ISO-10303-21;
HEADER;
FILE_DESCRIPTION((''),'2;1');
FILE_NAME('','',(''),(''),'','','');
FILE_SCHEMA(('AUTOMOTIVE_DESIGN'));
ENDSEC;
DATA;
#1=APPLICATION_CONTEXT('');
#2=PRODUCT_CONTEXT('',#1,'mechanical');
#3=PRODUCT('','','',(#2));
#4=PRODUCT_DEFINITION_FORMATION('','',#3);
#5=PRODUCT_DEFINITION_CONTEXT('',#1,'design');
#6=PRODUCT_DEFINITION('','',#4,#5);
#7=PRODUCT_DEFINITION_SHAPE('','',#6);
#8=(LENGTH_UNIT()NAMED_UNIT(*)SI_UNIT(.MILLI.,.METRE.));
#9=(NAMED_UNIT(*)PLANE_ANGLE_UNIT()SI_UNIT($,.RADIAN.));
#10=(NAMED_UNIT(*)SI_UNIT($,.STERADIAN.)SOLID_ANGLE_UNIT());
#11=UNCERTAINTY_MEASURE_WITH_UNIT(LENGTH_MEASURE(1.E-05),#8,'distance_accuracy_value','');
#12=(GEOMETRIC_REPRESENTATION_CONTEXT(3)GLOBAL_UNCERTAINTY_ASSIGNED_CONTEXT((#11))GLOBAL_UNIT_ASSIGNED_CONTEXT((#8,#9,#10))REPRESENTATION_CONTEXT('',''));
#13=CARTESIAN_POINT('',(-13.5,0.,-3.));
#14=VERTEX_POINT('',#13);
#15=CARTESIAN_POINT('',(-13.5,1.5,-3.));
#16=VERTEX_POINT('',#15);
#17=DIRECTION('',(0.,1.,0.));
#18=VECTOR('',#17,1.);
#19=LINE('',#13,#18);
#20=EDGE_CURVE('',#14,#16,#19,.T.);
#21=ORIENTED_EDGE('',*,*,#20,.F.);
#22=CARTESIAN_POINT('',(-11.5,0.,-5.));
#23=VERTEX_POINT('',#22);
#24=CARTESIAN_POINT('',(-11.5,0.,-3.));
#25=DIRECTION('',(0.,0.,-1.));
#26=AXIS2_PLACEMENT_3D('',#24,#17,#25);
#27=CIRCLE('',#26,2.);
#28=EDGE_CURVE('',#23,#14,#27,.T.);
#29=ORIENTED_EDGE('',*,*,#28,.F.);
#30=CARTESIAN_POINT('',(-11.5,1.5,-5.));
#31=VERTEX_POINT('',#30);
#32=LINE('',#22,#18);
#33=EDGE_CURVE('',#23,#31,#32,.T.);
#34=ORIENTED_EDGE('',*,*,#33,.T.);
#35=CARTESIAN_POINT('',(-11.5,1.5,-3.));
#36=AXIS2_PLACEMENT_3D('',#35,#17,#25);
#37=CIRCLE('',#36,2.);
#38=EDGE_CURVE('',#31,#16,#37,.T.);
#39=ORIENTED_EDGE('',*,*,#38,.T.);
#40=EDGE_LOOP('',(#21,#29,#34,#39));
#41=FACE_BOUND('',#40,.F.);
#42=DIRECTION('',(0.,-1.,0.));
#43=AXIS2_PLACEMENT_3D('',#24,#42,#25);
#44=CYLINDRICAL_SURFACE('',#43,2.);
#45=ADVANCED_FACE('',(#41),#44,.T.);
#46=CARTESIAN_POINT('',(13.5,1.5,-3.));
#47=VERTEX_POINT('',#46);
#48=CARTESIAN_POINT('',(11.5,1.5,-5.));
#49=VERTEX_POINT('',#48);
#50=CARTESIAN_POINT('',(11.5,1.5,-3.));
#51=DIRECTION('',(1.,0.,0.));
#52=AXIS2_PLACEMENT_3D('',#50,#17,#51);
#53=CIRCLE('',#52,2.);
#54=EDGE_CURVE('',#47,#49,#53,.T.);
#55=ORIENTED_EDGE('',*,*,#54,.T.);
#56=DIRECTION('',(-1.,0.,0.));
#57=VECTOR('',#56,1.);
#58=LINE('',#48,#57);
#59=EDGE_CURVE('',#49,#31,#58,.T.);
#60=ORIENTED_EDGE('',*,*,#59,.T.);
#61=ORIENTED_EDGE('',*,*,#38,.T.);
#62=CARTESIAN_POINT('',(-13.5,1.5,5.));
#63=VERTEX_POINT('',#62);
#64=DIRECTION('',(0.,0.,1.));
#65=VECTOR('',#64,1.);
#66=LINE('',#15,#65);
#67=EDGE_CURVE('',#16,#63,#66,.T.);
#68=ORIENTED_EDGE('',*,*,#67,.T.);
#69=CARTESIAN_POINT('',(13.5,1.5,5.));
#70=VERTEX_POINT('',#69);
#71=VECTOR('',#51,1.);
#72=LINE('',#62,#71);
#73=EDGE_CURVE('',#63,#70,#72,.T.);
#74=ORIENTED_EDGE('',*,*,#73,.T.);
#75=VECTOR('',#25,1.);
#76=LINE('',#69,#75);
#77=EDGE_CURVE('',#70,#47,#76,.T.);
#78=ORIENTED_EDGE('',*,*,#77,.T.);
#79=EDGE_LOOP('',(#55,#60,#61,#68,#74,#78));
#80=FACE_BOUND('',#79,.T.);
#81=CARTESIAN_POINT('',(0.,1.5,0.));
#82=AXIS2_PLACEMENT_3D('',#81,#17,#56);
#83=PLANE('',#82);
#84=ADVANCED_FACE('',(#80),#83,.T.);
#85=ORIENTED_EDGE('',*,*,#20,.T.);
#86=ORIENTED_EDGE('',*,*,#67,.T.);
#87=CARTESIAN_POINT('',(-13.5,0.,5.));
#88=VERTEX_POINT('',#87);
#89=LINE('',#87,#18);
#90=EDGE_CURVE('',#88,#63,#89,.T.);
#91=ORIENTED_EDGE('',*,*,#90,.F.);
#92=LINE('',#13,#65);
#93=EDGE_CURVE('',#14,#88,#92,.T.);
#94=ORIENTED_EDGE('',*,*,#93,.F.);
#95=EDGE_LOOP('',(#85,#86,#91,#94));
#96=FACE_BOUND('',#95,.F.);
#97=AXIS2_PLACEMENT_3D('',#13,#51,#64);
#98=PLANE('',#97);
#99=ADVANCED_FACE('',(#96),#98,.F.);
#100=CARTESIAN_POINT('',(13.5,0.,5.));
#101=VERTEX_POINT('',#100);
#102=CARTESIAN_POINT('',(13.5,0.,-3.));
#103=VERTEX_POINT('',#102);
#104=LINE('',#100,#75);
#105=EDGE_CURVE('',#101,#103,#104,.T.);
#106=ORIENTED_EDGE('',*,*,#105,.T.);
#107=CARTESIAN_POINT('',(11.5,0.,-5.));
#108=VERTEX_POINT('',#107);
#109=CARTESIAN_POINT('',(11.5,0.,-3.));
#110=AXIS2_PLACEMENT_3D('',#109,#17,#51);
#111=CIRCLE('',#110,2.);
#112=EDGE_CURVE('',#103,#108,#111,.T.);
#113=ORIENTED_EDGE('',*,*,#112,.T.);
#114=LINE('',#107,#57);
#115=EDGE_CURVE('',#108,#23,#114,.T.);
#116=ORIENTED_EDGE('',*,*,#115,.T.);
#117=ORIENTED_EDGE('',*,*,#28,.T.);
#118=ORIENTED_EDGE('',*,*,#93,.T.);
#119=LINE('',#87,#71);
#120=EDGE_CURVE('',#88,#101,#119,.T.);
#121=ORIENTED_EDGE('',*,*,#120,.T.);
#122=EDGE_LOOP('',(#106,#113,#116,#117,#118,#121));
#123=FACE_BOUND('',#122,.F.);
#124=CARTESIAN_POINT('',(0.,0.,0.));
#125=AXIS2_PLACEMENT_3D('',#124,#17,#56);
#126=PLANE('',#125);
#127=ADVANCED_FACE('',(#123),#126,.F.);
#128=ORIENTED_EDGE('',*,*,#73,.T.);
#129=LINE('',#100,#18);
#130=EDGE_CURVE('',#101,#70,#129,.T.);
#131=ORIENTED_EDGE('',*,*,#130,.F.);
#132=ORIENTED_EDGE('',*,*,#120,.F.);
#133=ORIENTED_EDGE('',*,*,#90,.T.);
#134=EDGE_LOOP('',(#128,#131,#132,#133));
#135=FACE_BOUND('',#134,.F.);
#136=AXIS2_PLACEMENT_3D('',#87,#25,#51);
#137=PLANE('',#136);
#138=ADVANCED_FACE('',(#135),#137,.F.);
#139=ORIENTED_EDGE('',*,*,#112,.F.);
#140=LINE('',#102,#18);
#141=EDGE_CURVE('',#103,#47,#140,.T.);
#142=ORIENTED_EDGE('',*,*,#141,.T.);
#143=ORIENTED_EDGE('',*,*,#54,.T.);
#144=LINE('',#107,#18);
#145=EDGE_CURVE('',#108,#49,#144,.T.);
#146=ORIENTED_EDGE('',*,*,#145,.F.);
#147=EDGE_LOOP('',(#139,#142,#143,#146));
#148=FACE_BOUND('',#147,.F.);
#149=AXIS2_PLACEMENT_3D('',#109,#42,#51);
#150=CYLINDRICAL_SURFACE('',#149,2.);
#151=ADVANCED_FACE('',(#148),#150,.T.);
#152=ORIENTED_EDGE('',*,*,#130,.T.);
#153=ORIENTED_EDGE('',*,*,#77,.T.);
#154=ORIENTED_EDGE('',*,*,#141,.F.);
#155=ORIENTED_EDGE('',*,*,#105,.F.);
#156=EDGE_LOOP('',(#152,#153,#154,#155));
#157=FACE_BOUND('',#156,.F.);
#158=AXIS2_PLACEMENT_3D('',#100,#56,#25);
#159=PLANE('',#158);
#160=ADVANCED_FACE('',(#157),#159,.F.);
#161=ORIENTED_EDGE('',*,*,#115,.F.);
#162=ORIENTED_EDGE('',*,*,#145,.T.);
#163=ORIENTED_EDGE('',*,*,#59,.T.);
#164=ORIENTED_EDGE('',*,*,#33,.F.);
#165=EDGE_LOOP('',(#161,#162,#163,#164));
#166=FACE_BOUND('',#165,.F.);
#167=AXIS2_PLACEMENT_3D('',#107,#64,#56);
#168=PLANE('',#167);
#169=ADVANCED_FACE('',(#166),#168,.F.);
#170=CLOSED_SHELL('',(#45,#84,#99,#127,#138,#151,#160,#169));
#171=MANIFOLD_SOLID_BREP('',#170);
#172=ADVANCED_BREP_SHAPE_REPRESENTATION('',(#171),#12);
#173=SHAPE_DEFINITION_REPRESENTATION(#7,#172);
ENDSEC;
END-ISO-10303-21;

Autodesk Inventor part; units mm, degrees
ref_plane "YZ Plane" through (0, 0, 0) normal (1, 0, 0) x (0, 1, 0)
ref_plane "XZ Plane" through (0, 0, 0) normal (0, 1, 0) x (-1, 0, 0)
ref_plane "XY Plane" through (0, 0, 0) normal (0, 0, 1) x (1, 0, 0)
sketch "Sketch1" plane through (0, 0, 0) normal (0, 1, 0) x (-1, 0, 0)
  line L0 (13.5, 5) -> (-13.5, 5)
  line L1 (-13.5, 5) -> (-13.5, -3)
  line L2 (-11.5, -5) -> (11.5, -5)
  line L3 (13.5, -3) -> (13.5, 5)
  line L4 (13.5, 5) -> (-13.5, -5) construction
  line L5 (-13.5, 5) -> (13.5, -5) construction
  arc A0 (11.5, -5) -> (13.5, -3) centre (11.5, -3) ccw
  arc A1 (-13.5, -3) -> (-11.5, -5) centre (-11.5, -3) ccw
  point P0 (0, 0)
  dimension "d0" = 27
  dimension "d1" = 10
  dimension "d2" = 2
extrude "Extrusion1" add sketch "Sketch1" along normal blind 1.5
properties part number "board"
